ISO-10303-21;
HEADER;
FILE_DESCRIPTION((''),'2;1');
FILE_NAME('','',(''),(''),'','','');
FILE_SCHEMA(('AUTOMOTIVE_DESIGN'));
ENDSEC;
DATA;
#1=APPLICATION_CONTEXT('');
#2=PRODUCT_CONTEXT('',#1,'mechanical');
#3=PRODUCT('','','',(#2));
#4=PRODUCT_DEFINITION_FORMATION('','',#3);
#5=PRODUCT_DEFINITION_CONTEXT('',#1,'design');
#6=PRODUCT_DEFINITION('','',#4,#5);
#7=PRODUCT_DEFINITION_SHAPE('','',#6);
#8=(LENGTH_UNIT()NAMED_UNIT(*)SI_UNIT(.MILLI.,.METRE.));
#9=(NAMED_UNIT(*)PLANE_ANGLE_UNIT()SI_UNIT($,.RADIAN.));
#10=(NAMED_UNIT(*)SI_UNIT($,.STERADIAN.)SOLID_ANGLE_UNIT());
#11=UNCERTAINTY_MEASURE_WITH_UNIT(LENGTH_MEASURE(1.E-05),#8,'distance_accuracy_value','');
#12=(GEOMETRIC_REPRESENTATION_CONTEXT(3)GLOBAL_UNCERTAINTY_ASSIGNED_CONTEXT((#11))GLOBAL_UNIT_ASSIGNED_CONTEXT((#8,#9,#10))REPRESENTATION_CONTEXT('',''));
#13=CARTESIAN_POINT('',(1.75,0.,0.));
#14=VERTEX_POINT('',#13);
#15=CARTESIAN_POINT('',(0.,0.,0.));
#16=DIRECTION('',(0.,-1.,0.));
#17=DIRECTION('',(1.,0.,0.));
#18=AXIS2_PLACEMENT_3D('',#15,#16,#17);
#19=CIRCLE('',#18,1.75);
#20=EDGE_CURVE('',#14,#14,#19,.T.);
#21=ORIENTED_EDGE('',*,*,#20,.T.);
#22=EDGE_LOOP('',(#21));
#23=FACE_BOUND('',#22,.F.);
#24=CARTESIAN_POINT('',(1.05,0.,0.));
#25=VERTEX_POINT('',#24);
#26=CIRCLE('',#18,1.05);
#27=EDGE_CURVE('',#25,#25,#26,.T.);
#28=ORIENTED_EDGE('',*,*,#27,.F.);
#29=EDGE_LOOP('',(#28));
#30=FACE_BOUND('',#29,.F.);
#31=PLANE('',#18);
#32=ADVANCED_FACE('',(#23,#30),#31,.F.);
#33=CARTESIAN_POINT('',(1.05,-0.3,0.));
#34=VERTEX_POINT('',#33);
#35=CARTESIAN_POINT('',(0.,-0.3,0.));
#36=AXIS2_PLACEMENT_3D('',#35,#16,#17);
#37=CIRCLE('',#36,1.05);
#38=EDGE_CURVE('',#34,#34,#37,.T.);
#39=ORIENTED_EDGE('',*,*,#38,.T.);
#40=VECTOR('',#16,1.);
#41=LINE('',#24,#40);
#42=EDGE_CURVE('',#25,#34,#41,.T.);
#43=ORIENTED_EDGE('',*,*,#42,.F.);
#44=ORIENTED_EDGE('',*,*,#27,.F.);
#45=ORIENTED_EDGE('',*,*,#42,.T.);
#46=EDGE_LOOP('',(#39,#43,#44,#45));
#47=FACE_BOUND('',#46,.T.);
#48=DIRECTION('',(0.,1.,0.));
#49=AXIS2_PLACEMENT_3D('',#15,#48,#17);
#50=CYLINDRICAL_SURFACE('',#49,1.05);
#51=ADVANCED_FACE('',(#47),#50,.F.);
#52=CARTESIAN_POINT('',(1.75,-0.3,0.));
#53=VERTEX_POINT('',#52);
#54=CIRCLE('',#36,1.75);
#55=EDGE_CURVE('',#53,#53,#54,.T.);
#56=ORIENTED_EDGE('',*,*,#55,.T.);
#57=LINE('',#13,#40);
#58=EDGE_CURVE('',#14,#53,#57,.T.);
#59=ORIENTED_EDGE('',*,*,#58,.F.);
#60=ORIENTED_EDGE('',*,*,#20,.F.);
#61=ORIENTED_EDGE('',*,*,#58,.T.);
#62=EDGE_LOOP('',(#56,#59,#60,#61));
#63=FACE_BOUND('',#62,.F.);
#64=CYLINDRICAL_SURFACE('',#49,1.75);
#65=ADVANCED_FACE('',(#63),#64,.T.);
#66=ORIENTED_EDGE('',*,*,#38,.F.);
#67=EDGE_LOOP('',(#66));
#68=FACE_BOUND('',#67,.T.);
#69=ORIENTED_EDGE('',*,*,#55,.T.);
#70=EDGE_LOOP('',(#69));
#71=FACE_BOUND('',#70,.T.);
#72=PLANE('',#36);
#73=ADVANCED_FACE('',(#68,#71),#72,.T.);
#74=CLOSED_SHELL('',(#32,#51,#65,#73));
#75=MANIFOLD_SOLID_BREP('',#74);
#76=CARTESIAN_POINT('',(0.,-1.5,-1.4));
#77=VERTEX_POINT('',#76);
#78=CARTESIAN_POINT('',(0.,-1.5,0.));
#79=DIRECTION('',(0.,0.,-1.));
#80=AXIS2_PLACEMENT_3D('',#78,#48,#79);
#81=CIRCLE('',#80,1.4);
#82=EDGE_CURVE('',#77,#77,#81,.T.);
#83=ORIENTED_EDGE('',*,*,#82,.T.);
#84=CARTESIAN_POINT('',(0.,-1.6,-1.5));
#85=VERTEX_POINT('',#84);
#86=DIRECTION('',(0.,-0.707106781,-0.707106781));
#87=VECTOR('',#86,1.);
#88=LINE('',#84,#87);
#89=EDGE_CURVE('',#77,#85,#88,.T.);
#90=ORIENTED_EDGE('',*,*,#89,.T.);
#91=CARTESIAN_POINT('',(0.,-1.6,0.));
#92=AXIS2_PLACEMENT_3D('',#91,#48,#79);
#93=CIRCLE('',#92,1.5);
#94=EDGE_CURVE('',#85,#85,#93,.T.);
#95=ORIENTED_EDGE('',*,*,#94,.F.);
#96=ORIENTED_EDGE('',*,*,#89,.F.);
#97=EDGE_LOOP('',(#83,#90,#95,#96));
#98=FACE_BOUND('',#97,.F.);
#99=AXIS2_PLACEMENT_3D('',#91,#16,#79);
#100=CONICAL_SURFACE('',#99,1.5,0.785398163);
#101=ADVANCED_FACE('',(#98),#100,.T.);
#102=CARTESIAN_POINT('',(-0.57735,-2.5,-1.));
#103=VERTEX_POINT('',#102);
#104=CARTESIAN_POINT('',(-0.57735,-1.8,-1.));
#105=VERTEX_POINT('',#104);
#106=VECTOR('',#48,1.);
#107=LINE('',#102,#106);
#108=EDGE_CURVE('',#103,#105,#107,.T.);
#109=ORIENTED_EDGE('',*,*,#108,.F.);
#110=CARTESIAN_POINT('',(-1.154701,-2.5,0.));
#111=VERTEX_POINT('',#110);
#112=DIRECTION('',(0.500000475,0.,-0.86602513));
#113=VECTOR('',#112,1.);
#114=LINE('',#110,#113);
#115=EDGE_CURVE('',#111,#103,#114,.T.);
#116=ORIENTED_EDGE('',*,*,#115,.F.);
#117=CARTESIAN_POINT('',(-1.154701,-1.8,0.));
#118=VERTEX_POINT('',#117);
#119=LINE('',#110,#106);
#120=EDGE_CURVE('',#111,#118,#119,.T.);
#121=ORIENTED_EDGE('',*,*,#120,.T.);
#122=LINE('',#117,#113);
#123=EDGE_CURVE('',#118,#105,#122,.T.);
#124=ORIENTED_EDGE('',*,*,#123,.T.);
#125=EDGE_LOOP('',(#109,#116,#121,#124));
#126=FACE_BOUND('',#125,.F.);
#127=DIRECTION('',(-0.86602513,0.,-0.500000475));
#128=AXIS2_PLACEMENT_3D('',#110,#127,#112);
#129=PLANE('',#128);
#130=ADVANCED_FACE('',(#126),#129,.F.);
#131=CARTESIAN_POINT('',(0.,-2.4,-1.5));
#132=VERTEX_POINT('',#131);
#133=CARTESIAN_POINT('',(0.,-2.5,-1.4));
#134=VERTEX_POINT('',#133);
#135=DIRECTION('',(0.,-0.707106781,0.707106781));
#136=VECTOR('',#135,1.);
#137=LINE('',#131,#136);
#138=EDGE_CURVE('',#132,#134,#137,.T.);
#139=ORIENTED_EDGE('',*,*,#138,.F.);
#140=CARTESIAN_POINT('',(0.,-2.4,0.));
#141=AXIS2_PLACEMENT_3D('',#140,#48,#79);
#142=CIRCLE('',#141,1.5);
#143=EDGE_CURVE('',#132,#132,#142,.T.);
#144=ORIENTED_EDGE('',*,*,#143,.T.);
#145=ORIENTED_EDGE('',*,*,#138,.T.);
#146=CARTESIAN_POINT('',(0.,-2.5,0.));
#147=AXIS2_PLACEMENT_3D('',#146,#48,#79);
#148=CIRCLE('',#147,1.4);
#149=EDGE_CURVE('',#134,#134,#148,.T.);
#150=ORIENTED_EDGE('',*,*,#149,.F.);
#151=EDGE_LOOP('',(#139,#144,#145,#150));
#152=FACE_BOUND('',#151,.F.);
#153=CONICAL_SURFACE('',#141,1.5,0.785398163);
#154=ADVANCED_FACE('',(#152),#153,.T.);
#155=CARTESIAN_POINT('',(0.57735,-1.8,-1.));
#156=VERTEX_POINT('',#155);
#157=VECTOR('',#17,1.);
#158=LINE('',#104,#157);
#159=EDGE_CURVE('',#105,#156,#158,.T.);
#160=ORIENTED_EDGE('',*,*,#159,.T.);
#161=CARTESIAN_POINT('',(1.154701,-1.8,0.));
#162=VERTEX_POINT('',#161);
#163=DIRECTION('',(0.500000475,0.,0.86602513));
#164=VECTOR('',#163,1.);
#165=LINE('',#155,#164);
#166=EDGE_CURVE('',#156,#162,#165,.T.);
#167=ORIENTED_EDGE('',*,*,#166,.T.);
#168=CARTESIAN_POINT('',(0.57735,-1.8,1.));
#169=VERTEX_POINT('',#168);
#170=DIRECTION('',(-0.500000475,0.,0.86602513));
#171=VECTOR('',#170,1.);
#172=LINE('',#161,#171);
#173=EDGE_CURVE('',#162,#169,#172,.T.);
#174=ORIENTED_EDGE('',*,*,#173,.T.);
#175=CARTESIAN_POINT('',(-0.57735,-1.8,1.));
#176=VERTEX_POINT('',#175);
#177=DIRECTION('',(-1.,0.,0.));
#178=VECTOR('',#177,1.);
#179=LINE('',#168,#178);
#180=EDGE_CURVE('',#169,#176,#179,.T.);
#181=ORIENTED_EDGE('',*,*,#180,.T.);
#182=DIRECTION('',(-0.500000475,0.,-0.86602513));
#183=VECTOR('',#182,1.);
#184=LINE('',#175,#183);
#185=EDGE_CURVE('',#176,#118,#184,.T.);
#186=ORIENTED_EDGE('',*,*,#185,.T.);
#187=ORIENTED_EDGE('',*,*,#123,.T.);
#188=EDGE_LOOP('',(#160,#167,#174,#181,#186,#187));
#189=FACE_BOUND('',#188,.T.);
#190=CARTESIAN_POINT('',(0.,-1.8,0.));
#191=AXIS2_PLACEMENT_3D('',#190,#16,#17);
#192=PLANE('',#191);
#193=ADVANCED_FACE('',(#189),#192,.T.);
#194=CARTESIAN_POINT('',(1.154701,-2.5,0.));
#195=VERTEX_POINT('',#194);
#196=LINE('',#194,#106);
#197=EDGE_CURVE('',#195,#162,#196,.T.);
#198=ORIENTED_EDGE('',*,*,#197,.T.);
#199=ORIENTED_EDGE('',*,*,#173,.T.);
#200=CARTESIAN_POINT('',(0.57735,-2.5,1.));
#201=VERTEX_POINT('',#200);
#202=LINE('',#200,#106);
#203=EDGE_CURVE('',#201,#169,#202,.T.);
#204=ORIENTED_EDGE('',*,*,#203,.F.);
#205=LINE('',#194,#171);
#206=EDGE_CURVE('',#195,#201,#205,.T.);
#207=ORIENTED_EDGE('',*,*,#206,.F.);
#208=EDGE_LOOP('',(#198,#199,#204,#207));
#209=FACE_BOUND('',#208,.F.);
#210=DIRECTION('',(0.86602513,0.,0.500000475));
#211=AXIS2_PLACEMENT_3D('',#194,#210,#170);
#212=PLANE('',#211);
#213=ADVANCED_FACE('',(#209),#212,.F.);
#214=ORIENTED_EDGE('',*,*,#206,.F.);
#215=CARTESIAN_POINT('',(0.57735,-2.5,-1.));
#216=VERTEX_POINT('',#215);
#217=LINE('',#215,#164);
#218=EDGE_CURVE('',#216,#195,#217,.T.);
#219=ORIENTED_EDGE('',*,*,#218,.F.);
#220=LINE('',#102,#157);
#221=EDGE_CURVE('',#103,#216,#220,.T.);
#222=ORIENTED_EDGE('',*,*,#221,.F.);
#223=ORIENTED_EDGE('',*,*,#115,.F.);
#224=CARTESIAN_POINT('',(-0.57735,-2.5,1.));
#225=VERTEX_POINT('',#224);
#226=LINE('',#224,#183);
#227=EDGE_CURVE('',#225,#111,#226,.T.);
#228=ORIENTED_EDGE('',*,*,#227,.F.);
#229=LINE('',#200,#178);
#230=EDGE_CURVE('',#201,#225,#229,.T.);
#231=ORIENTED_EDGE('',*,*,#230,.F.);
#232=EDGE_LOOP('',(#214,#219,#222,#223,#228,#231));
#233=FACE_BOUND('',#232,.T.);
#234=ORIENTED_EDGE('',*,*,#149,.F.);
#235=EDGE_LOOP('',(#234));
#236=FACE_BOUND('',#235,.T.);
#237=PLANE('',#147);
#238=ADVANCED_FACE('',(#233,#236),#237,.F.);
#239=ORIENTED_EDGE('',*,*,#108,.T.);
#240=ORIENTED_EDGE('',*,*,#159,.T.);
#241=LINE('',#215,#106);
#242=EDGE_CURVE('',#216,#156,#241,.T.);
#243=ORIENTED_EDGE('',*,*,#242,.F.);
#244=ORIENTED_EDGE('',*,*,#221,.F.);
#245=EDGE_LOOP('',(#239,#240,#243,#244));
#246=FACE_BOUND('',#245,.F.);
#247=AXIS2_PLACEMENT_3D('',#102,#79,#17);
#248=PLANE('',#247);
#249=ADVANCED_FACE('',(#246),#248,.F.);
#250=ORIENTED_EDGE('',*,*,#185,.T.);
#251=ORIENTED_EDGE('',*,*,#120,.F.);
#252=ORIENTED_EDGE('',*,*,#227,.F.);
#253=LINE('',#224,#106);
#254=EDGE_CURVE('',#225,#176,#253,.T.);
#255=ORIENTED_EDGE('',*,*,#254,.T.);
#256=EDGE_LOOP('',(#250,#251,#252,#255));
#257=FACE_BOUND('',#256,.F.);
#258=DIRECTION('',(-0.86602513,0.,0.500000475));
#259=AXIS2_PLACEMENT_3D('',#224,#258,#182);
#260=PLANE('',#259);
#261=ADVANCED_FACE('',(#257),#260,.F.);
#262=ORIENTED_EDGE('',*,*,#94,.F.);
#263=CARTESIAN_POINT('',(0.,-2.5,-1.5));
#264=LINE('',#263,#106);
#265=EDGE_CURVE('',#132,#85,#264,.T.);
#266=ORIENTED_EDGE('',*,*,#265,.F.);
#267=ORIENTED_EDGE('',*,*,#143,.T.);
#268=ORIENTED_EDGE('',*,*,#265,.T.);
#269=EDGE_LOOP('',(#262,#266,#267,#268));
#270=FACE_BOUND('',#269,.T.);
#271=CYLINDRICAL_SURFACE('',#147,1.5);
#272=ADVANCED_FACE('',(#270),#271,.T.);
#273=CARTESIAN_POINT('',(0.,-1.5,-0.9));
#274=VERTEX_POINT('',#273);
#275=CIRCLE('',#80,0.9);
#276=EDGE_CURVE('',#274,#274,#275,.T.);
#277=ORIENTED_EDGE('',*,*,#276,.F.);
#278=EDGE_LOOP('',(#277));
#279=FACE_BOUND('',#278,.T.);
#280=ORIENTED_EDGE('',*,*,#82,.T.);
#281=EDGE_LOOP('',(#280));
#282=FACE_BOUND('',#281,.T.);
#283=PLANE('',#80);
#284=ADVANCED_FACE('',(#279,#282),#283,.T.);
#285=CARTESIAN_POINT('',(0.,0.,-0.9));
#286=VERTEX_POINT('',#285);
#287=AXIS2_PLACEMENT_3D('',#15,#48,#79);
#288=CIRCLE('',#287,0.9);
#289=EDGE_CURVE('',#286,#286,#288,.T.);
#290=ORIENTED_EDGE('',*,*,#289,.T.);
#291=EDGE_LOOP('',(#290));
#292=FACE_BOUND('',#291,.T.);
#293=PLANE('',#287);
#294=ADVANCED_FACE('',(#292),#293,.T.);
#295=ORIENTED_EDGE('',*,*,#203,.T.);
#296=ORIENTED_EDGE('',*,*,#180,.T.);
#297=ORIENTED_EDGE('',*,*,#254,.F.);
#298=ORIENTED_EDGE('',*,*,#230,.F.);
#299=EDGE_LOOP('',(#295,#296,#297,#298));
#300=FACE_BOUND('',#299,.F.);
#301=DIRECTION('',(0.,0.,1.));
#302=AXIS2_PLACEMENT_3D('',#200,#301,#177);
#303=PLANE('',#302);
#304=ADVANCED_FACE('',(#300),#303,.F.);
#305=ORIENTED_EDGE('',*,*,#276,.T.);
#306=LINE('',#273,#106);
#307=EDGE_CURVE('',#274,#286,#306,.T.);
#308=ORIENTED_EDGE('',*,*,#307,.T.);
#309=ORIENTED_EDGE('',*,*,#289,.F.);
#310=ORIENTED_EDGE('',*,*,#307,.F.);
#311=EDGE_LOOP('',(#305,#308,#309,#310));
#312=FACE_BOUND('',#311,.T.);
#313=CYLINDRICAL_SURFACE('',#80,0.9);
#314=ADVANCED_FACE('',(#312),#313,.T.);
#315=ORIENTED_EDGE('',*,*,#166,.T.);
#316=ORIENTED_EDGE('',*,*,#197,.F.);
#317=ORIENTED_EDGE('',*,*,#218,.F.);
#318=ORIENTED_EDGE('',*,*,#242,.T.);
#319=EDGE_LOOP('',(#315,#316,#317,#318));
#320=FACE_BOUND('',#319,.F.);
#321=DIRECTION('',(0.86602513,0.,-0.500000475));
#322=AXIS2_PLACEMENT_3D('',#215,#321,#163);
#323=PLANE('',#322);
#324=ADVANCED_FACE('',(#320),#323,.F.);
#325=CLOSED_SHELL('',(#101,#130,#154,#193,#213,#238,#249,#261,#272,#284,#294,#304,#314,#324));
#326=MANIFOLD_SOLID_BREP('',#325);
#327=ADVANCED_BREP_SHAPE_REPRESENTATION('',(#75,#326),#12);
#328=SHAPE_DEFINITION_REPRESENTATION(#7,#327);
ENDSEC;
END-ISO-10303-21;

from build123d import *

# Parameters (mm, degrees)
F0_R     = 1.75
F0_R_2   = 1.05
F1_DEPTH = 0.3
F5_DEPTH = 0.7
F6_SIZE  = 0.1


with BuildPart() as f1:
    # F0 (on Front) → F1 (new body)
    with BuildSketch(Plane.XZ):
        Circle(F0_R)
        Circle(F0_R_2, mode=Mode.SUBTRACT)
    extrude(amount=F1_DEPTH)


with BuildPart() as f3:
    # F2 (on Right) → F3 (revolve)
    with BuildSketch(Plane.YZ):
        Polygon((0, -0.9), (0, 0), (-2.5, 0), (-2.5, -1.5), (-1.5, -1.5), (-1.5, -0.9), align=None)
    revolve(axis=Axis((0, -0.931411, 0), (0, 1, 0)))

    # F4 (on face) → F5 (cut)
    with BuildSketch(Plane.XZ.offset(2.5)):
        Polygon((1.154701, 0), (0.57735, 1), (-0.57735, 1), (-1.154701, 0), (-0.57735, -1), (0.57735, -1), align=None)
    extrude(amount=-F5_DEPTH, mode=Mode.SUBTRACT)

    # F6
    f6_edges = [f3.edges().sort_by_distance(p)[0] for p in [
        (0, -2.5, 1.5),
        (0, -1.5, 1.5),
    ]]
    chamfer(f6_edges, length=F6_SIZE)


solid = Compound([f1.part, f3.part])
